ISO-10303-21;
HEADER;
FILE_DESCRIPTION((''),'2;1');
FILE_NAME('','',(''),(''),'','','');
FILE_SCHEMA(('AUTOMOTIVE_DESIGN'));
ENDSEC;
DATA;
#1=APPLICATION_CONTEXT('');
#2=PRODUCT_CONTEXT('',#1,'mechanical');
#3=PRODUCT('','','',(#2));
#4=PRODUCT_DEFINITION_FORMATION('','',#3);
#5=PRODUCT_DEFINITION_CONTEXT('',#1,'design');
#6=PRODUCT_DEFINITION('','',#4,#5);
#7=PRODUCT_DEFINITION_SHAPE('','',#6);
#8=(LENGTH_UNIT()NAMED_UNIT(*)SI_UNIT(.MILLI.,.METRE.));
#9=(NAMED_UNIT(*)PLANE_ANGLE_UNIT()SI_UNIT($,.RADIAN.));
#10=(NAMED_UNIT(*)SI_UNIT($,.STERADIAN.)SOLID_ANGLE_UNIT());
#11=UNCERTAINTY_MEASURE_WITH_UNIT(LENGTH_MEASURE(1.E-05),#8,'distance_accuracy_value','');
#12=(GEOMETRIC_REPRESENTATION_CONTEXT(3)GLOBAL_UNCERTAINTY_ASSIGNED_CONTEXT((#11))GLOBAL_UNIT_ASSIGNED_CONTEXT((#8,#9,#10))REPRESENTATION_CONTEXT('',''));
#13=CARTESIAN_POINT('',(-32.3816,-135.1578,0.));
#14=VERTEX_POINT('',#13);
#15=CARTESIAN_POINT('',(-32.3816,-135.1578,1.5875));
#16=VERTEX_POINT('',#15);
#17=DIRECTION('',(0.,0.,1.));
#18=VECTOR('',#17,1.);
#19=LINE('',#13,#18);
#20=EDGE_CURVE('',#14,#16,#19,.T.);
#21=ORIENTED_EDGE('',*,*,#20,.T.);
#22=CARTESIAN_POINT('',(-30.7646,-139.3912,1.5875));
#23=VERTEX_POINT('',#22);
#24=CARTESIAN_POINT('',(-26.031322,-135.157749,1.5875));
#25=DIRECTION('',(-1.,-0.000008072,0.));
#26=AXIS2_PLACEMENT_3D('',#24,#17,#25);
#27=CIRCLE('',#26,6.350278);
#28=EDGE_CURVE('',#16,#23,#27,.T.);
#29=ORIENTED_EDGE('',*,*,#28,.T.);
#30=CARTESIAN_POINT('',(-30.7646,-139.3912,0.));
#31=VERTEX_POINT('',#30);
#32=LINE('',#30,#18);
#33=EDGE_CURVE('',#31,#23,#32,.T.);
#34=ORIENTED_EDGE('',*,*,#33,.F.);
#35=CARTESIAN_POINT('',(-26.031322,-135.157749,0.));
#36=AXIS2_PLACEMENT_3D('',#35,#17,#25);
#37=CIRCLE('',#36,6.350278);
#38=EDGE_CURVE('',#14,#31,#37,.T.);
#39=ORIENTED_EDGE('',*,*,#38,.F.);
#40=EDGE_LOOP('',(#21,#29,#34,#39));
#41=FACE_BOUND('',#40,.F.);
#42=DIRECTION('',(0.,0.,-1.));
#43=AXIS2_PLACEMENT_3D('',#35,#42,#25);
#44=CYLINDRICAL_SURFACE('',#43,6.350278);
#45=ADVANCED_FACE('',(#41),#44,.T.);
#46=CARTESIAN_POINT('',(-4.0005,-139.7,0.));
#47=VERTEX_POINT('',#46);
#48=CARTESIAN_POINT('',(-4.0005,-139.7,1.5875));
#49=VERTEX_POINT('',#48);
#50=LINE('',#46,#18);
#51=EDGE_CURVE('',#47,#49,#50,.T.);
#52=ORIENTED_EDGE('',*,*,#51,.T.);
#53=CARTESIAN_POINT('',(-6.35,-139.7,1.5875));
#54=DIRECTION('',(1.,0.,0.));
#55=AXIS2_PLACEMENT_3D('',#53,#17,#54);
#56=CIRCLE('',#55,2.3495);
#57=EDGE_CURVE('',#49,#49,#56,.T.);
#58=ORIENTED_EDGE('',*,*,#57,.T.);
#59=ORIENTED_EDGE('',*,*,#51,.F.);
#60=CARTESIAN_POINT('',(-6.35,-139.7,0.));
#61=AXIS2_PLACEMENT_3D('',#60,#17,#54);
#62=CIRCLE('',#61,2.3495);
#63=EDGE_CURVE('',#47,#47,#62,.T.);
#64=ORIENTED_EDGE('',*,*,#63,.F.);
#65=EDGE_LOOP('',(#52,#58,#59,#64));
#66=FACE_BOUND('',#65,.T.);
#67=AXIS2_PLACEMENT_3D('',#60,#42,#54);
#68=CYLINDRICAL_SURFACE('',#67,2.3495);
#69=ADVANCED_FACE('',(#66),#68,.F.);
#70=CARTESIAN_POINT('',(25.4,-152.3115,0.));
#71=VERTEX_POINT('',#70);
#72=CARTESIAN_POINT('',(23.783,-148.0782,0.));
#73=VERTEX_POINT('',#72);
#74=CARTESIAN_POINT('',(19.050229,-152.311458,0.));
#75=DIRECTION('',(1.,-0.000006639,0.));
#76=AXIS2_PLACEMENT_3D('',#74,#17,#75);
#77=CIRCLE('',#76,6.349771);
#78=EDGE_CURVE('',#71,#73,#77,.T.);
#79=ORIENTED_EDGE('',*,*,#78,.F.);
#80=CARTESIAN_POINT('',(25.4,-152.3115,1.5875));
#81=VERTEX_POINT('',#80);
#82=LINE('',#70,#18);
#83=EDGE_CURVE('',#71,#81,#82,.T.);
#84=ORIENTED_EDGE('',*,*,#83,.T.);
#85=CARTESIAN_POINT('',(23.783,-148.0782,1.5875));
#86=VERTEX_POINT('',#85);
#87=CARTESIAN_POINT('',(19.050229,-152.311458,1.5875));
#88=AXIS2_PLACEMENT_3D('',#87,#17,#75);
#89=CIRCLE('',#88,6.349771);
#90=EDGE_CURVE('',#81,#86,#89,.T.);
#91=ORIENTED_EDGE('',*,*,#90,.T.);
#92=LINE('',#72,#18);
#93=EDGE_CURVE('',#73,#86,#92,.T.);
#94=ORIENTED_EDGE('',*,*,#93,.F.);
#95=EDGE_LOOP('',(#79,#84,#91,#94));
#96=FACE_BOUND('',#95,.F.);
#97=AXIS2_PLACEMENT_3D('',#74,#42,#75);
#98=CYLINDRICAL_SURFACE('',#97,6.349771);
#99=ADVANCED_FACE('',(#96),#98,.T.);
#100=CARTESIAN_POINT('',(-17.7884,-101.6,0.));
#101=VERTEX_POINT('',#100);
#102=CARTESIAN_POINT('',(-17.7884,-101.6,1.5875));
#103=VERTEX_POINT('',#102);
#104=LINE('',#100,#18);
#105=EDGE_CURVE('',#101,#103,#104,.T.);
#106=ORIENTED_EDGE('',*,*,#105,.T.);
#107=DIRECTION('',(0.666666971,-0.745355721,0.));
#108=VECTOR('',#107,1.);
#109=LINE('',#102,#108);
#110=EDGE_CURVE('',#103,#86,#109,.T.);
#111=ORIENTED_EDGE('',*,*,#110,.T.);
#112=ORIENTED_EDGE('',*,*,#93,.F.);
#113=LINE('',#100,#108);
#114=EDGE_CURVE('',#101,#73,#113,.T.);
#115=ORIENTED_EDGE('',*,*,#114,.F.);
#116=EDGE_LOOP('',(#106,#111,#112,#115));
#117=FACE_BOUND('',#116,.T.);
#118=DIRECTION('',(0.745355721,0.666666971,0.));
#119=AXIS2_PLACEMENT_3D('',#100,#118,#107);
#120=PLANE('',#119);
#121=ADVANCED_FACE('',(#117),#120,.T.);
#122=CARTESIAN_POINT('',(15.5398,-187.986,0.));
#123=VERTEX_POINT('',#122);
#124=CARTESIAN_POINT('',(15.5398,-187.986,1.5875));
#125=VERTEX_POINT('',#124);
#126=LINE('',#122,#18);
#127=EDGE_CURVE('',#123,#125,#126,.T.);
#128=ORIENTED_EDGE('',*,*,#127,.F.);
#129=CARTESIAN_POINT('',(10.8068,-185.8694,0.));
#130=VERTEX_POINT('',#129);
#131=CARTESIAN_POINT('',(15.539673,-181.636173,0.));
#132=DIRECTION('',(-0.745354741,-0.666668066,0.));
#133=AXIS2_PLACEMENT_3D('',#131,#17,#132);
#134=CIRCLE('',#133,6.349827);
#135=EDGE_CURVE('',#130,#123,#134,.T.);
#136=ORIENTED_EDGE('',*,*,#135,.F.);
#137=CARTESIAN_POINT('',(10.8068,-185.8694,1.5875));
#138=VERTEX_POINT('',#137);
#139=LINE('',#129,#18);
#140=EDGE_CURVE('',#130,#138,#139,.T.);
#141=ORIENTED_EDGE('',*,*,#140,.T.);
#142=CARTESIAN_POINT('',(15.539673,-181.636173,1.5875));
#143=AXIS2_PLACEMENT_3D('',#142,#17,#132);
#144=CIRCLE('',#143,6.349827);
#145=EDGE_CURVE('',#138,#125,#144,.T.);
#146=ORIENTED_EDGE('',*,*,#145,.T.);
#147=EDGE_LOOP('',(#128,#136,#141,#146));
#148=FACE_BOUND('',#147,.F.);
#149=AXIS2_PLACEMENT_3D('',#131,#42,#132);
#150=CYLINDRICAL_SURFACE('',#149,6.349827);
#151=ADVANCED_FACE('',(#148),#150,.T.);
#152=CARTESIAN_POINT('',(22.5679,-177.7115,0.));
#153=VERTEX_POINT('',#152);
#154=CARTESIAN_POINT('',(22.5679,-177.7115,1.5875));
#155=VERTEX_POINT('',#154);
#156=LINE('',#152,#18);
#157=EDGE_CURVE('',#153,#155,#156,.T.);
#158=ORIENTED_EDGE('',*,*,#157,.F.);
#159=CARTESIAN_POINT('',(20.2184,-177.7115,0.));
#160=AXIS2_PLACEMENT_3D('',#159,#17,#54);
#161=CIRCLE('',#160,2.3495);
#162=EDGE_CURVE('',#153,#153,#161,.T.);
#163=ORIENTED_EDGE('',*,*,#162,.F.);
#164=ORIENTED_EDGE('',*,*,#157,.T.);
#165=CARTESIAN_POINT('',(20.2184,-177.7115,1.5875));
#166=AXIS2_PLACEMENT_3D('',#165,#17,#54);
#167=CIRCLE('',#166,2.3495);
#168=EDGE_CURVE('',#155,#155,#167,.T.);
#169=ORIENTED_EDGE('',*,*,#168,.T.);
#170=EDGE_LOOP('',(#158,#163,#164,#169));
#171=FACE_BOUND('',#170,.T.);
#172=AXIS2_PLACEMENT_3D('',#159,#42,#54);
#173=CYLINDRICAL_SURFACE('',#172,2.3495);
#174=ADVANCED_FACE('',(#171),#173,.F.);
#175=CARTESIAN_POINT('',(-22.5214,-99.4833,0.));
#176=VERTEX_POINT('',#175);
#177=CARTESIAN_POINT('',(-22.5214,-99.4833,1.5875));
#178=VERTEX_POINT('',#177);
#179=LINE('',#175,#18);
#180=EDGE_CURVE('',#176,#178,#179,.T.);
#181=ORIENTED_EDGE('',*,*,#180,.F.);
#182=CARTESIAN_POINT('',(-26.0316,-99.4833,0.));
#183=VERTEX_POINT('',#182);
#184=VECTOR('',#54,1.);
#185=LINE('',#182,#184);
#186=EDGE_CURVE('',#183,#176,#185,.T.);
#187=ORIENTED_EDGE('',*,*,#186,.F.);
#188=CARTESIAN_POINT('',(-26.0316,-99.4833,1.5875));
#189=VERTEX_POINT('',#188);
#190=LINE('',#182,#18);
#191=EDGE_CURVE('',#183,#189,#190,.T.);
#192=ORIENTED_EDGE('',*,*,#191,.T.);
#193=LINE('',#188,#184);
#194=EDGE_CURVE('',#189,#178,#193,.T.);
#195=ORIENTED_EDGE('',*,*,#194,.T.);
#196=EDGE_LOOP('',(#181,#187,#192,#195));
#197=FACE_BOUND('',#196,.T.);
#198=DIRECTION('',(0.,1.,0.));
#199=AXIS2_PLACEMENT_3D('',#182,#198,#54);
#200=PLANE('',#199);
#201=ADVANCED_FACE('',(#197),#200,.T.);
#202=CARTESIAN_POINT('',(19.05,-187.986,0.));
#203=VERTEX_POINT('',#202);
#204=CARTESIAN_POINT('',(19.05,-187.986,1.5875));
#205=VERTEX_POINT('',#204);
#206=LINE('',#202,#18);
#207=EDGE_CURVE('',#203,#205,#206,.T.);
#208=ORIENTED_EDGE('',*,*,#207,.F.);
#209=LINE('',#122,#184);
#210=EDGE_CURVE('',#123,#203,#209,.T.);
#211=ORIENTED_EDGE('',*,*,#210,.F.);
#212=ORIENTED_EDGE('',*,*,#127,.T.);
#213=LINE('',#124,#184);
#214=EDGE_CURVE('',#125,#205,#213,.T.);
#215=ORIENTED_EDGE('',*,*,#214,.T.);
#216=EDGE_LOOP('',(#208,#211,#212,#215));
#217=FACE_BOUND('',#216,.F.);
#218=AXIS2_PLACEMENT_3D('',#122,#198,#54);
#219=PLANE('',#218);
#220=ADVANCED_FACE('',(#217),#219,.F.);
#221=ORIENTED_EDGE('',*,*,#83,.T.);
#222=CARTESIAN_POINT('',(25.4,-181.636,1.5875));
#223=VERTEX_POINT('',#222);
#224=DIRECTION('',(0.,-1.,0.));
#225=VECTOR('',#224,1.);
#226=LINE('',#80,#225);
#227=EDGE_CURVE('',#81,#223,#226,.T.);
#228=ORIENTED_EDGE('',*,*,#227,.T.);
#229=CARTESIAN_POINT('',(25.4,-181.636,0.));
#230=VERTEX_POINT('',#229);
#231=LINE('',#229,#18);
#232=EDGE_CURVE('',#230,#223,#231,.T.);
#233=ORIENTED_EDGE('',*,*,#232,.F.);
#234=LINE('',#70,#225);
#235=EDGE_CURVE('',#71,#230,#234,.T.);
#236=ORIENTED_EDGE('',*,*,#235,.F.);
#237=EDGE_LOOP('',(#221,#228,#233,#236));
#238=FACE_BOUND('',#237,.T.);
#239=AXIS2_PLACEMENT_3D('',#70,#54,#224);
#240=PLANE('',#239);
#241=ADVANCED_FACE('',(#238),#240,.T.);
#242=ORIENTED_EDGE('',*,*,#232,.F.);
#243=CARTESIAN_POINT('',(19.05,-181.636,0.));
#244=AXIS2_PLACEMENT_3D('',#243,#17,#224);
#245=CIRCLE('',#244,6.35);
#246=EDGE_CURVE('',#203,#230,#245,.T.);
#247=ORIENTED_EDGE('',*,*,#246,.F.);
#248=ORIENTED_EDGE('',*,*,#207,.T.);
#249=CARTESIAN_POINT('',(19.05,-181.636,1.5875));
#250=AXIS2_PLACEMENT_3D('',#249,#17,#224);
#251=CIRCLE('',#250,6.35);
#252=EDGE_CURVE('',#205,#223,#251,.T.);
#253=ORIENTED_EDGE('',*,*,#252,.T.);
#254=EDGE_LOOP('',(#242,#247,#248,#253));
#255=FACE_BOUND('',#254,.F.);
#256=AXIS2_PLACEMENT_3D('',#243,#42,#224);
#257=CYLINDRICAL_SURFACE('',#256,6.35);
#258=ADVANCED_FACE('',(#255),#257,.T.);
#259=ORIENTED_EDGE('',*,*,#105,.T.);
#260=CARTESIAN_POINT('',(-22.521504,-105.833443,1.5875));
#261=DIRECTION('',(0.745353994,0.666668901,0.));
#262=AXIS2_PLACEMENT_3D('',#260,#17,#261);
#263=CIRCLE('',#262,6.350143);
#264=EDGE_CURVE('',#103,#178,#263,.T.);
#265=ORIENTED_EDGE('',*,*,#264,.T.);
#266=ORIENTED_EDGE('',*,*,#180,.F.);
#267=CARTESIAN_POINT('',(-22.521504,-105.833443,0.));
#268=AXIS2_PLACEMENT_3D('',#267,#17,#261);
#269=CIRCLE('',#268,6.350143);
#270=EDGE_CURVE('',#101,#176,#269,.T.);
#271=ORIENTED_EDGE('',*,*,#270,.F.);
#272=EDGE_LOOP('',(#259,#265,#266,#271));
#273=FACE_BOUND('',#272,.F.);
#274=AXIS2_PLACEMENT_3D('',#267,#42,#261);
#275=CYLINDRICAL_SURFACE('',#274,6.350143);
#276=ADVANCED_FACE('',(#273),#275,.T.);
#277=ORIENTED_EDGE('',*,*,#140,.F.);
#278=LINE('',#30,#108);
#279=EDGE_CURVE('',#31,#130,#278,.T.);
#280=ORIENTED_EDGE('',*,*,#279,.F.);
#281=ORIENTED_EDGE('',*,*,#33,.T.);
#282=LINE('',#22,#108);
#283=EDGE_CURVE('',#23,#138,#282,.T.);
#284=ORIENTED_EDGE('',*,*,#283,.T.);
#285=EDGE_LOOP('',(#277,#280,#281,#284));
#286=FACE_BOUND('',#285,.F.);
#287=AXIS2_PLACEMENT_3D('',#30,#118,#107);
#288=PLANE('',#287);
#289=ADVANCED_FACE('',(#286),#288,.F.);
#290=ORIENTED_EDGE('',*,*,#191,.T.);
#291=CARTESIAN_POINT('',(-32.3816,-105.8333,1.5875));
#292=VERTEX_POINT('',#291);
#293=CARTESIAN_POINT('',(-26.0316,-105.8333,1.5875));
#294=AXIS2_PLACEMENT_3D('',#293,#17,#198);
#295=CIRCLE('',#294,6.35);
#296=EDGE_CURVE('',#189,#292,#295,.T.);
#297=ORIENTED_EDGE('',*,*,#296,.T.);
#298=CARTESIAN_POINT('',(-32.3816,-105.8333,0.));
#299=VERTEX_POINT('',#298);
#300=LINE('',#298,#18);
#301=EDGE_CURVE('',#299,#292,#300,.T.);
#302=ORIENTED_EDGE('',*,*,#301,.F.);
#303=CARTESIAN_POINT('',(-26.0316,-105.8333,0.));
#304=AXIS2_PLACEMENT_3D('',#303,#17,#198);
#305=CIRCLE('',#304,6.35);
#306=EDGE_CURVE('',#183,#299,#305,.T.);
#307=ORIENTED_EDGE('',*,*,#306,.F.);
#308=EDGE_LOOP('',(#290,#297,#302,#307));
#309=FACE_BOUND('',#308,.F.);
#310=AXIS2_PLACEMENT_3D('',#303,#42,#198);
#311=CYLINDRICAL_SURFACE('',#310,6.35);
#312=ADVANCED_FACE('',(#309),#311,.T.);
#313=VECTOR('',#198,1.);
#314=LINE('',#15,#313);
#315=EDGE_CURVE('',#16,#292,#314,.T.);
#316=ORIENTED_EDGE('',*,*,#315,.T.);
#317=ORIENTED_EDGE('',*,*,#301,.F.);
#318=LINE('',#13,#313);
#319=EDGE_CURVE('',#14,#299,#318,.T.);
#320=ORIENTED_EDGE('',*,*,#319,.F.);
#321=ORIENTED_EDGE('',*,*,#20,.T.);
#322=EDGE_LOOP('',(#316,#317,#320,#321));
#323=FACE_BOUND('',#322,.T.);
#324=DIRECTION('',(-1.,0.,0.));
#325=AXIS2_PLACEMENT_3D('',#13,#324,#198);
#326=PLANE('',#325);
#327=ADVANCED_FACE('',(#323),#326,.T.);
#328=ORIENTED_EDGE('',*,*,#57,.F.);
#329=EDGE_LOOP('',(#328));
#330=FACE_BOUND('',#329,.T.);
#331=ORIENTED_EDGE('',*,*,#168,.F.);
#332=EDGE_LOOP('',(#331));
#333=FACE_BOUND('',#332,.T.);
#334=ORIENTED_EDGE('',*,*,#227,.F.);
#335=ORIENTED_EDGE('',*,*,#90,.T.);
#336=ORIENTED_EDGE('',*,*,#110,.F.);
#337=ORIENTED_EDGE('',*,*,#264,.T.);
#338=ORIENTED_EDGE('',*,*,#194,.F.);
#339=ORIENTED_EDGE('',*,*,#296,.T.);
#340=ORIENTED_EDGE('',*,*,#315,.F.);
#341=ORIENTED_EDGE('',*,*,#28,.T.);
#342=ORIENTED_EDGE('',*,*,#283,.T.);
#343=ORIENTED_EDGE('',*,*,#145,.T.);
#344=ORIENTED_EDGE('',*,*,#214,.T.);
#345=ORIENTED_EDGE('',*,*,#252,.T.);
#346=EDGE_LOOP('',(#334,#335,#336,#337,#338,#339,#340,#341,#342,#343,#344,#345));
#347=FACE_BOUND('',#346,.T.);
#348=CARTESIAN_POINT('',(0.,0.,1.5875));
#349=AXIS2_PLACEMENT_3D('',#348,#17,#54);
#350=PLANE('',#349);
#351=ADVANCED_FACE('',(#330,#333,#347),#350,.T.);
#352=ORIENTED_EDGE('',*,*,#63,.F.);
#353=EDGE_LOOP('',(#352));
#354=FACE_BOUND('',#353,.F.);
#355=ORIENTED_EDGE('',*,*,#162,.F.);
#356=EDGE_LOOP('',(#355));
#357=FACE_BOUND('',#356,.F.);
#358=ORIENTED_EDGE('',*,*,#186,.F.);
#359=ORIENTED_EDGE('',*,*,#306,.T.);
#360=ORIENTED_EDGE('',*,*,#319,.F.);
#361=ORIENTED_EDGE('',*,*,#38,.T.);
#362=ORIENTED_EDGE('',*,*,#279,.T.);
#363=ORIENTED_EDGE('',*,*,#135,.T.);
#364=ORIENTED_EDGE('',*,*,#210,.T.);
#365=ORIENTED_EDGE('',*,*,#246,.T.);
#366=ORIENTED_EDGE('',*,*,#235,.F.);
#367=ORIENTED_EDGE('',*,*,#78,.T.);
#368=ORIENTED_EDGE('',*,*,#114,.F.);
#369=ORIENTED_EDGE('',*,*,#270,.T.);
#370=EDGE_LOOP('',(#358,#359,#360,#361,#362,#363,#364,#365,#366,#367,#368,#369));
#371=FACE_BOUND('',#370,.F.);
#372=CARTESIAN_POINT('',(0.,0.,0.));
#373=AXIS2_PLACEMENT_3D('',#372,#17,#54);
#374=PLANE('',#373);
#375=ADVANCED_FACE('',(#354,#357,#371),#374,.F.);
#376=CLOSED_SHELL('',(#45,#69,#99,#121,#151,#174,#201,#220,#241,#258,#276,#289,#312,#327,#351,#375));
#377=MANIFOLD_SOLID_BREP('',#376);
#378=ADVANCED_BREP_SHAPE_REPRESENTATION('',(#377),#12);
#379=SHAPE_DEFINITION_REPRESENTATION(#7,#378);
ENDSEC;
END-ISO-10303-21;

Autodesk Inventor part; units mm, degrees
ref_plane "YZ Plane" through (0, 0, 0) normal (1, 0, 0) x (0, 1, 0)
ref_plane "XZ Plane" through (0, 0, 0) normal (0, 1, 0) x (-1, 0, 0)
ref_plane "XY Plane" through (0, 0, 0) normal (0, 0, 1) x (1, 0, 0)
sketch "Sketch1" plane through (0, 0, 0) normal (0, 0, 1) x (1, 0, 0)
  circle A0 centre (-6.35, -152.4) radius 2.1844 construction
  circle A1 centre (-6.35, -139.7) radius 2.1844 construction
  circle A2 centre (6.35, -139.7) radius 2.1844 construction
  circle A3 centre (6.35, -152.4) radius 2.1844 construction
  circle A4 centre (0, -146.05) radius 2.1844 construction
  circle A5 centre (-6.35, -114.3) radius 2.1844 construction
  circle A6 centre (-6.35, -114.3) radius 34.925 construction
  line L0 (-41.275, -114.3) -> (60.325, -114.3) construction
  circle A7 centre (-6.35, -152.4) radius 9.525 construction
  line L1 (-30.7646, -139.3912) -> (10.8068, -185.8694)
  line L2 (-32.3816, -135.1578) -> (-32.3816, -105.8333)
  line L3 (-32.3816, -137.5833) -> (-3.057, -137.5833) construction
  line L4 (25.4, -152.3115) -> (25.4, -181.636)
  circle A8 centre (0, -146.05) radius 2.1844
  line L5 (15.5398, -187.986) -> (19.05, -187.986)
  line L6 (-26.0316, -99.4833) -> (-22.5214, -99.4833)
  line L7 (-17.7884, -101.6) -> (23.783, -148.0782)
  arc A9 (19.05, -187.986) -> (25.4, -181.636) centre (19.05, -181.636) ccw
  arc A10 (25.4, -152.3115) -> (23.783, -148.0782) centre (19.05, -152.3115) ccw
  arc A11 (-17.7884, -101.6) -> (-22.5214, -99.4833) centre (-22.5214, -105.8333) ccw
  arc A12 (-26.0316, -99.4833) -> (-32.3816, -105.8333) centre (-26.0316, -105.8333) ccw
  arc A13 (-32.3816, -135.1578) -> (-30.7646, -139.3912) centre (-26.0316, -135.1578) ccw
  arc A14 (10.8068, -185.8694) -> (15.5398, -187.986) centre (15.5398, -181.636) ccw
  circle A15 centre (20.2184, -152.3115) radius 2.3368 construction
  circle A16 centre (20.2184, -177.7115) radius 2.3495
  circle A17 centre (-6.35, -139.7) radius 2.3495
  point P0 (0, 0)
  point P1 (12.7, -158.75)
  point P2 (12.7, -187.986)
  point P3 (-32.3816, -99.4833)
  point P4 (25.4, -149.886)
  point P5 (25.4, -187.986)
  point P6 (-19.6816, -99.4833)
extrude "Plate1" add sketch "Sketch1" along normal blind 1.5875 contours A13 L2 A12 L6 A11 L7 A10 L4 A9 L5 A14 L1 | A8
equation "\"d24\" = Thickness"
equation "\"BendRadius\" = Thickness"
equation "\"BendReliefWidth\" = Thickness"
equation "\"BendReliefDepth\" = 0.5 * Thickness"
equation "\"CornerReliefSize\" = 4 * Thickness"
equation "\"MinimumRemnant\" = 2 * Thickness"
equation "\"TransitionRadius\" = BendRadius"
equation "\"JacobiRadiusSize\" = BendRadius"
equation "\"GapSize\" = Thickness"
equation "\"Thickness\" = 1.5875"
properties part number "6inSleds"
